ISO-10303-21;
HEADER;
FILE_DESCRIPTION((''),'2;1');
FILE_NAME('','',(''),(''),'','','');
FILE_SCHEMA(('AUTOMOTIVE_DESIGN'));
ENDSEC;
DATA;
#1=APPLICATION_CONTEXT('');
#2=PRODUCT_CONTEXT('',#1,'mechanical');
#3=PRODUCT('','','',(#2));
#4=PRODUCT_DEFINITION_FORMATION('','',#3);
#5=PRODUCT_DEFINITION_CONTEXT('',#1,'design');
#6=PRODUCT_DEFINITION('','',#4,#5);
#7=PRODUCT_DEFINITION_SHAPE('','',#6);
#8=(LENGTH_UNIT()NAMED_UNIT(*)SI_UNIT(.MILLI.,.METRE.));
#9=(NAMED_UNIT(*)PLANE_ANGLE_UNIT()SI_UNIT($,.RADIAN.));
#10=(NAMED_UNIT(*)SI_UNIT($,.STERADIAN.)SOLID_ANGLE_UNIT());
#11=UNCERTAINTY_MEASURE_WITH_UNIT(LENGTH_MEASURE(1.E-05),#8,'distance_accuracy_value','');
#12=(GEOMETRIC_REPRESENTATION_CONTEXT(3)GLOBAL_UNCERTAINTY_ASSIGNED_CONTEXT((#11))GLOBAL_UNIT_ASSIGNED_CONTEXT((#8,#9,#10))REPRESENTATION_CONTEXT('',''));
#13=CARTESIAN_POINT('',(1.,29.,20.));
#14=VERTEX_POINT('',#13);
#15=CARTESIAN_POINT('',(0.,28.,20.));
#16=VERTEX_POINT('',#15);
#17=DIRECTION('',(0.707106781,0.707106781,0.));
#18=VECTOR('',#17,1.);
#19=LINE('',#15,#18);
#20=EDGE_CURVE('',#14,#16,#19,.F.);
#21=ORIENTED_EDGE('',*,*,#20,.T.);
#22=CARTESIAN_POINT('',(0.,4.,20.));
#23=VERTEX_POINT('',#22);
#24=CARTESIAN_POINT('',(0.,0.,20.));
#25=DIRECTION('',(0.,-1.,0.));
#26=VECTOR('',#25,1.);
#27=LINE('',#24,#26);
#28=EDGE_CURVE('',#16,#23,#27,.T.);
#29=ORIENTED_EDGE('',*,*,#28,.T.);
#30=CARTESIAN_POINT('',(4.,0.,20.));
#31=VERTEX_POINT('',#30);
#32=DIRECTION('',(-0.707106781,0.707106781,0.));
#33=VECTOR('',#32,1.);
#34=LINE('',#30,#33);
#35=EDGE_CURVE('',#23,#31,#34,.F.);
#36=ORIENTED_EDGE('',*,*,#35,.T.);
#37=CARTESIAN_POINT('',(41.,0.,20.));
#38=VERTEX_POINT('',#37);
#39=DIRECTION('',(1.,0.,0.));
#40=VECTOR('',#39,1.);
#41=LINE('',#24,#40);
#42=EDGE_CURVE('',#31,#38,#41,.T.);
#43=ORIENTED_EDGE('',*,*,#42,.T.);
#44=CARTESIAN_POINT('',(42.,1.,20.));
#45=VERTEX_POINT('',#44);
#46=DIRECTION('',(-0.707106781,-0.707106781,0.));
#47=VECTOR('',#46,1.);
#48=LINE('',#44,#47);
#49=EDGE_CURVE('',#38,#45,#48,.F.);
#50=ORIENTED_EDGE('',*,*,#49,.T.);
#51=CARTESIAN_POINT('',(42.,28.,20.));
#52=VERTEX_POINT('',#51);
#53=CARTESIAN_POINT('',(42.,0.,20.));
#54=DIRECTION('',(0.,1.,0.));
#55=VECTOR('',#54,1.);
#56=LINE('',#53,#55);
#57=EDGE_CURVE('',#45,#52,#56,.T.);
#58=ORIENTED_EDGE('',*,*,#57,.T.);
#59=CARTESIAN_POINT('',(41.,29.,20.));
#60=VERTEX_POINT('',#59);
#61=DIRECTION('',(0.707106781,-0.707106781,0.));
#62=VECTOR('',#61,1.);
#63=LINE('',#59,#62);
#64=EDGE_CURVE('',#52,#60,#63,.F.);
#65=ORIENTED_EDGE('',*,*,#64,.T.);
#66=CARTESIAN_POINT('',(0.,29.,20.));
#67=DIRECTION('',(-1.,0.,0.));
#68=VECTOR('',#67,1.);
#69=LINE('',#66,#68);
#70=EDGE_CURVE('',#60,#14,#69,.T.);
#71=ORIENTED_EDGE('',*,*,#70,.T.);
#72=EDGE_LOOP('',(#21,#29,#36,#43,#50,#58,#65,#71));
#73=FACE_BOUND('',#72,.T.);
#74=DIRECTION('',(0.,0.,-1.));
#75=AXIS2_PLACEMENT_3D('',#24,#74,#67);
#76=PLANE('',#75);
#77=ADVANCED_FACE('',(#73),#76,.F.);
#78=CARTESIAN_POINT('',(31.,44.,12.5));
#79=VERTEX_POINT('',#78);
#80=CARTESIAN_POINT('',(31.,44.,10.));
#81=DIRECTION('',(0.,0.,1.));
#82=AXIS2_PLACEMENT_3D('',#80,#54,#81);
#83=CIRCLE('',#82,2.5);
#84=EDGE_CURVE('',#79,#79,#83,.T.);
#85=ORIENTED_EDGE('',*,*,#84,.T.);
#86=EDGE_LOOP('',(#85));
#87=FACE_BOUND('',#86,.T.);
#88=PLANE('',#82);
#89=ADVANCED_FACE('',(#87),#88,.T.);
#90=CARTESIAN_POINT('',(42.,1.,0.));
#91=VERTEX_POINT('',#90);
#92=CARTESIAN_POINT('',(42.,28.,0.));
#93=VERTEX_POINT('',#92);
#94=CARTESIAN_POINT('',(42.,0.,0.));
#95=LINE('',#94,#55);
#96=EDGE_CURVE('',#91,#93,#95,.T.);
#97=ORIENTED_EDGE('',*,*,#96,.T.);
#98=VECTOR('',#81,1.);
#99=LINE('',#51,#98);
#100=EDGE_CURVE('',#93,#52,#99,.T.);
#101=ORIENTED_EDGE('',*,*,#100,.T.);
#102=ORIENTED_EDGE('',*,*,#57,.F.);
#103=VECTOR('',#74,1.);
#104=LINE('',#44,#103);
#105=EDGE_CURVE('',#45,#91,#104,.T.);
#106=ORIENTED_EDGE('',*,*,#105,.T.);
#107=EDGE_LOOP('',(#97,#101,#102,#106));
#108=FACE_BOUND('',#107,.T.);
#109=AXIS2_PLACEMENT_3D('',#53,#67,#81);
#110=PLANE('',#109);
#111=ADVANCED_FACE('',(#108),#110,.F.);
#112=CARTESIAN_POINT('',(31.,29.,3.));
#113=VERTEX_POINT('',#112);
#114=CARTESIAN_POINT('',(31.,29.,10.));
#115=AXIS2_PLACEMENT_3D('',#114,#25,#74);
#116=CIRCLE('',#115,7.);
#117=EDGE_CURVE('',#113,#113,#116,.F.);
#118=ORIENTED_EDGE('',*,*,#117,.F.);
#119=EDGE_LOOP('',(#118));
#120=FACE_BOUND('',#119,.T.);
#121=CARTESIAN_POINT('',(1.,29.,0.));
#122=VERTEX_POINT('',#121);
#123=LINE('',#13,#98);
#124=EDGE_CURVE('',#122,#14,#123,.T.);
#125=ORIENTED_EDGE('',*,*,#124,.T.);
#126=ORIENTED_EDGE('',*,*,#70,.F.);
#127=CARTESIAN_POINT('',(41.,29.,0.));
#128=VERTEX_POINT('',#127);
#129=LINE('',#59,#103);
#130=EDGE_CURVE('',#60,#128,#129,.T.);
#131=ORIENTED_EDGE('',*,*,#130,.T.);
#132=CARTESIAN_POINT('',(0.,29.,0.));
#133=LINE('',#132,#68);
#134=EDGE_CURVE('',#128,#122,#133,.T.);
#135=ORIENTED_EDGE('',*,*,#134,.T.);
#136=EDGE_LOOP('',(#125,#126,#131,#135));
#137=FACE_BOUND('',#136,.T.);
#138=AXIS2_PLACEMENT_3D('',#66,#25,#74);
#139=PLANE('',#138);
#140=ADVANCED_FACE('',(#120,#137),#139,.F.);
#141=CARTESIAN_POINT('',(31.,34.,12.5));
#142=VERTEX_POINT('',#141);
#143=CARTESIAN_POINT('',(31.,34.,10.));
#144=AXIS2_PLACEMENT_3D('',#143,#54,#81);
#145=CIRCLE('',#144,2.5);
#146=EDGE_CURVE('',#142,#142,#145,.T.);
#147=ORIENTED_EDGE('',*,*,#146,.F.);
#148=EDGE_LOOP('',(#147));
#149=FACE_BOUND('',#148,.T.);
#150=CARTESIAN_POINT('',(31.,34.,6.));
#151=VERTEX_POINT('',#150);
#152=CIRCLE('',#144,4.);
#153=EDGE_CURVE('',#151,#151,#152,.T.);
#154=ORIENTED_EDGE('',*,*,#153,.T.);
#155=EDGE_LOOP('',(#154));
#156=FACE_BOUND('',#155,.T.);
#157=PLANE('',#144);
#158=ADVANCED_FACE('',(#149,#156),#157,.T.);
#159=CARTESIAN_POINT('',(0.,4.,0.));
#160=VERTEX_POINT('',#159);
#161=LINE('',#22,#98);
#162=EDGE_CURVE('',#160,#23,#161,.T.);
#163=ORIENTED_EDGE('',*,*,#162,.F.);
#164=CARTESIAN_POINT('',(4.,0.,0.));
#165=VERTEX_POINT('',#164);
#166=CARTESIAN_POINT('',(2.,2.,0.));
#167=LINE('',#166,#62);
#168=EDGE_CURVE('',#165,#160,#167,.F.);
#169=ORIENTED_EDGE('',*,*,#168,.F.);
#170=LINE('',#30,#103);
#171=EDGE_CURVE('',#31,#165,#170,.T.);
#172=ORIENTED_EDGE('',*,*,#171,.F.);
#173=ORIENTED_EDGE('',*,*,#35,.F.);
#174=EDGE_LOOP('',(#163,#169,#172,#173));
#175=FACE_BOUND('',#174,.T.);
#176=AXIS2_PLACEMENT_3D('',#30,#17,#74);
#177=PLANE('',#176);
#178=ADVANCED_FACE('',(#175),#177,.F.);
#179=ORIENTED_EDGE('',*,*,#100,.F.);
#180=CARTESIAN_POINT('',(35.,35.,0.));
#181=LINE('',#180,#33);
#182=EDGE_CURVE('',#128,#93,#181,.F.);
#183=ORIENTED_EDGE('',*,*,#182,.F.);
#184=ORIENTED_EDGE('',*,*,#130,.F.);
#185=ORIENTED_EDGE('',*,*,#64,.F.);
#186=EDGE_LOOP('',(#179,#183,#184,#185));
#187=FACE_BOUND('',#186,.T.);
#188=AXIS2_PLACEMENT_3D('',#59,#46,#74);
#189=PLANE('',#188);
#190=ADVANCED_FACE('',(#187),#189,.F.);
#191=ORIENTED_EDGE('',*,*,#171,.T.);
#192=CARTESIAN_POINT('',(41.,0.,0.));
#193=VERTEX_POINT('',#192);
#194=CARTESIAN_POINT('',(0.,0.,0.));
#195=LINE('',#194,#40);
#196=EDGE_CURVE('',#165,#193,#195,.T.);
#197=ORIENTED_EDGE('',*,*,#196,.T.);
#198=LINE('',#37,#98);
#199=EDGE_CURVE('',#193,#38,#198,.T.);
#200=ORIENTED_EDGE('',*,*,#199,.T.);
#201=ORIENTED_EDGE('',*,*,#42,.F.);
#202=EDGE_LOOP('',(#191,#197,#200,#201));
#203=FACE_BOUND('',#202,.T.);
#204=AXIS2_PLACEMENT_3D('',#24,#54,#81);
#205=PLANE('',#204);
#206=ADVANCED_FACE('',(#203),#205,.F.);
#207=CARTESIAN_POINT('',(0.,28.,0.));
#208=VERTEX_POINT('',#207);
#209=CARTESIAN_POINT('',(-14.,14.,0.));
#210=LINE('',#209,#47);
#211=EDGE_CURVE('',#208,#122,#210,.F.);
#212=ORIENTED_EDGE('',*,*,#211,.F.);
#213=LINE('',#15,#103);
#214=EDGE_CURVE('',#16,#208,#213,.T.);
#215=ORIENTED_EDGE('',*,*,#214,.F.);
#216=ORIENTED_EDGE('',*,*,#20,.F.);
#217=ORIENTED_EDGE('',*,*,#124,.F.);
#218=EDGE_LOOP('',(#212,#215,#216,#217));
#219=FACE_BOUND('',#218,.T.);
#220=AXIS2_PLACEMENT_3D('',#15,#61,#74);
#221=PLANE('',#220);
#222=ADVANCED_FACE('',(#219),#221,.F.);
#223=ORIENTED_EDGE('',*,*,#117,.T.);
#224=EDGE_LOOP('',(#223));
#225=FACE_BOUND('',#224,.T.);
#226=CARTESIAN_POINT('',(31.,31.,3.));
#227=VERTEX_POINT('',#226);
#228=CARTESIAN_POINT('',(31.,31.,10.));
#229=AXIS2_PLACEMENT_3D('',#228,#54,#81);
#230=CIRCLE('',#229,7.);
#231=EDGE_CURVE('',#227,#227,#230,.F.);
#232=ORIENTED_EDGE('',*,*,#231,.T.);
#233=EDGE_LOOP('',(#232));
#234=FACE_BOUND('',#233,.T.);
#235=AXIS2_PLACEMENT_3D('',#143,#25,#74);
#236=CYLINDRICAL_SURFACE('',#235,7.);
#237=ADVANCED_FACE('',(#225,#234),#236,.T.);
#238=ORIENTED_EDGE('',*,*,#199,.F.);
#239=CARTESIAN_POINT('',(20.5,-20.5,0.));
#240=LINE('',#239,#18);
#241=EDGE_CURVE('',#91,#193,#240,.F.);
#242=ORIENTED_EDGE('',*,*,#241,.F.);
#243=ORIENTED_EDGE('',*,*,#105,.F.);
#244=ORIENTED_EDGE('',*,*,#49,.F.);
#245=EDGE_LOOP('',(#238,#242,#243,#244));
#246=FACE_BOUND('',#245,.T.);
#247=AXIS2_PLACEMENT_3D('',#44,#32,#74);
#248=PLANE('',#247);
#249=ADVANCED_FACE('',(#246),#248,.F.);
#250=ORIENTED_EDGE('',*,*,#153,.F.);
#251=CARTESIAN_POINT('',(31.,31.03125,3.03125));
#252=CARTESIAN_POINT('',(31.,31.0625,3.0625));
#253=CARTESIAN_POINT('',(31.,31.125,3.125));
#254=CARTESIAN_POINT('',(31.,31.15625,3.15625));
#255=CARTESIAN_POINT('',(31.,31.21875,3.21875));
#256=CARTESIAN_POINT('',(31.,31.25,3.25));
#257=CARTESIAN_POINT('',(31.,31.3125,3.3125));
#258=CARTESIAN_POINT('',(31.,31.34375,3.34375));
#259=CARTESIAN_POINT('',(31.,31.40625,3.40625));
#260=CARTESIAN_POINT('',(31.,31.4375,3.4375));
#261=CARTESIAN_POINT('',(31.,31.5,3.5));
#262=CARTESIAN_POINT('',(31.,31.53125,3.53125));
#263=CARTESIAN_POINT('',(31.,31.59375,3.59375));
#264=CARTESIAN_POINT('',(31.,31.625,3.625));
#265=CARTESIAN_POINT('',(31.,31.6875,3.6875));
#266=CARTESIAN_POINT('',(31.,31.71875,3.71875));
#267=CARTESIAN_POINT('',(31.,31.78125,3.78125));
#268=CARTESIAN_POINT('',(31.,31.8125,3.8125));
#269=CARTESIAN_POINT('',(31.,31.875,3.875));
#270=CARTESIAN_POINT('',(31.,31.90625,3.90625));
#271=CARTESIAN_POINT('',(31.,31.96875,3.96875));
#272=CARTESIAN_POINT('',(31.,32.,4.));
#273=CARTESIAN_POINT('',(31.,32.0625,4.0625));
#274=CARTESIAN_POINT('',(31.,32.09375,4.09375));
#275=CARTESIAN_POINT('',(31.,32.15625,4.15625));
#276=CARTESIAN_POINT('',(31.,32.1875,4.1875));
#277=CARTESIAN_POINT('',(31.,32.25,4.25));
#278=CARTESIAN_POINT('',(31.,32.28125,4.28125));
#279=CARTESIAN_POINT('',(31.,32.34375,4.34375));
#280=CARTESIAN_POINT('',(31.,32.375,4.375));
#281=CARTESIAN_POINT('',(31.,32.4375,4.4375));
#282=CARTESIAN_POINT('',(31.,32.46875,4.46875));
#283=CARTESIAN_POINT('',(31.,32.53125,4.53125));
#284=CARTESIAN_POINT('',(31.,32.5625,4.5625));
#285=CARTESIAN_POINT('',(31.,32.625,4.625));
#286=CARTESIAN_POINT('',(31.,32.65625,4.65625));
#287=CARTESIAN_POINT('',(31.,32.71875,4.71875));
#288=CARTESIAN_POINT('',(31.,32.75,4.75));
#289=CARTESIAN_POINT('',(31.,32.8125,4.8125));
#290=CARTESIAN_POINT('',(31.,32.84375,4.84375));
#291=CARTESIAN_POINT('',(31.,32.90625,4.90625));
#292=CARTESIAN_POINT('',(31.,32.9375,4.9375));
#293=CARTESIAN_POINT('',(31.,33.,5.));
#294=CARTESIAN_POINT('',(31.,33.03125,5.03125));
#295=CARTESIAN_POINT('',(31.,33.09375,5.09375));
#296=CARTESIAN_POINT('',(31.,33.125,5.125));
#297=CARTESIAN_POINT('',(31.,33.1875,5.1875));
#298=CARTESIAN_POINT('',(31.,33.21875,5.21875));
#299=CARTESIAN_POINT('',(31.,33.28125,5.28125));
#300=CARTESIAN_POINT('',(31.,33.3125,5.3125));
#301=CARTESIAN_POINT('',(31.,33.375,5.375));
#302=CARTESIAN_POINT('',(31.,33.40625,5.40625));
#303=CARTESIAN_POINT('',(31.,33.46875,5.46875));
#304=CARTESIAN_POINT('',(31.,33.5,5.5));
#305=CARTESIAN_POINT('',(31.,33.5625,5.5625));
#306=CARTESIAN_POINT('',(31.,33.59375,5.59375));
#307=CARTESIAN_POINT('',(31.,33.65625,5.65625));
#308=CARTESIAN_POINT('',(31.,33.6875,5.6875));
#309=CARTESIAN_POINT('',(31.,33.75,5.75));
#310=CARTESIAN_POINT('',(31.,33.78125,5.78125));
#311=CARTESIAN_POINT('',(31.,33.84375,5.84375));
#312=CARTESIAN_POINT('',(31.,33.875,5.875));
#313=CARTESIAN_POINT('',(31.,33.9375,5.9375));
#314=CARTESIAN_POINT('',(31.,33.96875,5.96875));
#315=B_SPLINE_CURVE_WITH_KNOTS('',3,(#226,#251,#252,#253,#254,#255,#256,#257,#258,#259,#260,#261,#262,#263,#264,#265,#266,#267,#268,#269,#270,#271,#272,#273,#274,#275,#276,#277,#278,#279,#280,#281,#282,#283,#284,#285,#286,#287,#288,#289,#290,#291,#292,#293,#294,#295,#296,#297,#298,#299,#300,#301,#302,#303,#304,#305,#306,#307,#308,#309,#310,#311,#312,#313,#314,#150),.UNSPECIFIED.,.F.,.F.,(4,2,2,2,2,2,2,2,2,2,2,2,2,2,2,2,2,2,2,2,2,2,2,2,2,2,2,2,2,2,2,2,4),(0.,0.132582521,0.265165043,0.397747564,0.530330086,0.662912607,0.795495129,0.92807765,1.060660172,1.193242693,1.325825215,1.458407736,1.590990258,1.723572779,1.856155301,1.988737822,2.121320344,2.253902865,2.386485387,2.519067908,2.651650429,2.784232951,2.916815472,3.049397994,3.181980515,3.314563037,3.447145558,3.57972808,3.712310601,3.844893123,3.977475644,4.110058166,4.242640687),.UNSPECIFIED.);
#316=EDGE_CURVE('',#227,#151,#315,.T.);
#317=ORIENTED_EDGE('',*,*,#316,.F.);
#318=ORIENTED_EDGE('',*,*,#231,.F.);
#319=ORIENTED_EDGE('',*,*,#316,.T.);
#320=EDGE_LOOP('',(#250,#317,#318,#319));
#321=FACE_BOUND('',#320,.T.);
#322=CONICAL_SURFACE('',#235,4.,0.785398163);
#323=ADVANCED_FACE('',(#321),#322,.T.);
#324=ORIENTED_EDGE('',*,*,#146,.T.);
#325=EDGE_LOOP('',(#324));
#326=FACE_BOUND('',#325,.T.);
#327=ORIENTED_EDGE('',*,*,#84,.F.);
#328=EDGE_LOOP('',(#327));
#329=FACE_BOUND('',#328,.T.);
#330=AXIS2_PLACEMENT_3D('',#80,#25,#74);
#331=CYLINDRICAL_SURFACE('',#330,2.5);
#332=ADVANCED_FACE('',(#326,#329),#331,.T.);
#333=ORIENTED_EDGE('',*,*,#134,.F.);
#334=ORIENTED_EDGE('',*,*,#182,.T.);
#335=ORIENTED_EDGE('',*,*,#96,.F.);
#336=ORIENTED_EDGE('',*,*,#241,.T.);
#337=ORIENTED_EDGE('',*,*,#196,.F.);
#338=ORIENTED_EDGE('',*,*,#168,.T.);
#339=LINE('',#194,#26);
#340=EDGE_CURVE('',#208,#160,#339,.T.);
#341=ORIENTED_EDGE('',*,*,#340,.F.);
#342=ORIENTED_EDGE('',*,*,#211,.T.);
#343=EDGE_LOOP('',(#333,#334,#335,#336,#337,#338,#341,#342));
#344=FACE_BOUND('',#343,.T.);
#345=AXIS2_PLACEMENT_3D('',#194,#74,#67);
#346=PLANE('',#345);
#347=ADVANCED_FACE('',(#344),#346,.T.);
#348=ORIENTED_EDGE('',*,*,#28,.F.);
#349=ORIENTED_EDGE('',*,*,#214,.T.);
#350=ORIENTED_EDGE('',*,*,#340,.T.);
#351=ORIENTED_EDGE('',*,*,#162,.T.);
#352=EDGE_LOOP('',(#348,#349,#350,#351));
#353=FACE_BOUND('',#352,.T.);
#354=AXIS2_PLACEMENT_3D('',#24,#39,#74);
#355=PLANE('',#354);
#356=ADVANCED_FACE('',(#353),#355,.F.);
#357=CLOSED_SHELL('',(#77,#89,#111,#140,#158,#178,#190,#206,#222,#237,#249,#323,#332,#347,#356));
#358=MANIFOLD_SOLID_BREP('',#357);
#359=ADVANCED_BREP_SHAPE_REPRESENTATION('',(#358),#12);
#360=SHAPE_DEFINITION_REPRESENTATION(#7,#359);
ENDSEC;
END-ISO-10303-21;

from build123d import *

# Parameters (mm, degrees)
SKETCH1_W           = 42
SKETCH1_H           = 29
BOSS_EXTRUDE1_DEPTH = 20
CHAMFER1_SIZE       = 4
CHAMFER2_SIZE       = 1
CHAMFER3_SIZE       = 1
SKETCH4_R           = 7
BOSS_EXTRUDE2_DEPTH = 5
CHAMFER4_SIZE       = 3
SKETCH5_R           = 2.5
BOSS_EXTRUDE3_DEPTH = 10


with BuildPart() as part:
    # Sketch1 → Boss-Extrude1 (new body)
    with BuildSketch(Plane.XY):
        with Locations((21, 14.5)):
            Rectangle(SKETCH1_W, SKETCH1_H)
    extrude(amount=BOSS_EXTRUDE1_DEPTH)

    # Chamfer1
    chamfer1_edges = [part.edges().sort_by_distance(p)[0] for p in [
        (0, 0, 10),
    ]]
    chamfer(chamfer1_edges, length=CHAMFER1_SIZE)

    # Chamfer2
    chamfer2_edges = [part.edges().sort_by_distance(p)[0] for p in [
        (0, 29, 10),
        (42, 29, 10),
    ]]
    chamfer(chamfer2_edges, length=CHAMFER2_SIZE)

    # Chamfer3
    chamfer3_edges = [part.edges().sort_by_distance(p)[0] for p in [
        (42, 0, 10),
    ]]
    chamfer(chamfer3_edges, length=CHAMFER3_SIZE)

    # Sketch4 → Boss-Extrude2 (add)
    with BuildSketch(Plane(origin=(0, 29, 0), x_dir=(1, 0, 0), z_dir=(0, 1, 0))):
        with Locations(Location((31, -10, 0), (0, 0, 90))):
            Circle(SKETCH4_R)
    extrude(amount=BOSS_EXTRUDE2_DEPTH)

    # Chamfer4
    chamfer4_edges = [part.edges().sort_by_distance(p)[0] for p in [
        (31, 34, 17),
    ]]
    chamfer(chamfer4_edges, length=CHAMFER4_SIZE)

    # Sketch5 → Boss-Extrude3 (add)
    with BuildSketch(Plane(origin=(0, 34, 0), x_dir=(1, 0, 0), z_dir=(0, 1, 0))):
        with Locations(Location((31, -10, 0), (0, 0, 270))):
            Circle(SKETCH5_R)
    extrude(amount=BOSS_EXTRUDE3_DEPTH)


solid = part.part
